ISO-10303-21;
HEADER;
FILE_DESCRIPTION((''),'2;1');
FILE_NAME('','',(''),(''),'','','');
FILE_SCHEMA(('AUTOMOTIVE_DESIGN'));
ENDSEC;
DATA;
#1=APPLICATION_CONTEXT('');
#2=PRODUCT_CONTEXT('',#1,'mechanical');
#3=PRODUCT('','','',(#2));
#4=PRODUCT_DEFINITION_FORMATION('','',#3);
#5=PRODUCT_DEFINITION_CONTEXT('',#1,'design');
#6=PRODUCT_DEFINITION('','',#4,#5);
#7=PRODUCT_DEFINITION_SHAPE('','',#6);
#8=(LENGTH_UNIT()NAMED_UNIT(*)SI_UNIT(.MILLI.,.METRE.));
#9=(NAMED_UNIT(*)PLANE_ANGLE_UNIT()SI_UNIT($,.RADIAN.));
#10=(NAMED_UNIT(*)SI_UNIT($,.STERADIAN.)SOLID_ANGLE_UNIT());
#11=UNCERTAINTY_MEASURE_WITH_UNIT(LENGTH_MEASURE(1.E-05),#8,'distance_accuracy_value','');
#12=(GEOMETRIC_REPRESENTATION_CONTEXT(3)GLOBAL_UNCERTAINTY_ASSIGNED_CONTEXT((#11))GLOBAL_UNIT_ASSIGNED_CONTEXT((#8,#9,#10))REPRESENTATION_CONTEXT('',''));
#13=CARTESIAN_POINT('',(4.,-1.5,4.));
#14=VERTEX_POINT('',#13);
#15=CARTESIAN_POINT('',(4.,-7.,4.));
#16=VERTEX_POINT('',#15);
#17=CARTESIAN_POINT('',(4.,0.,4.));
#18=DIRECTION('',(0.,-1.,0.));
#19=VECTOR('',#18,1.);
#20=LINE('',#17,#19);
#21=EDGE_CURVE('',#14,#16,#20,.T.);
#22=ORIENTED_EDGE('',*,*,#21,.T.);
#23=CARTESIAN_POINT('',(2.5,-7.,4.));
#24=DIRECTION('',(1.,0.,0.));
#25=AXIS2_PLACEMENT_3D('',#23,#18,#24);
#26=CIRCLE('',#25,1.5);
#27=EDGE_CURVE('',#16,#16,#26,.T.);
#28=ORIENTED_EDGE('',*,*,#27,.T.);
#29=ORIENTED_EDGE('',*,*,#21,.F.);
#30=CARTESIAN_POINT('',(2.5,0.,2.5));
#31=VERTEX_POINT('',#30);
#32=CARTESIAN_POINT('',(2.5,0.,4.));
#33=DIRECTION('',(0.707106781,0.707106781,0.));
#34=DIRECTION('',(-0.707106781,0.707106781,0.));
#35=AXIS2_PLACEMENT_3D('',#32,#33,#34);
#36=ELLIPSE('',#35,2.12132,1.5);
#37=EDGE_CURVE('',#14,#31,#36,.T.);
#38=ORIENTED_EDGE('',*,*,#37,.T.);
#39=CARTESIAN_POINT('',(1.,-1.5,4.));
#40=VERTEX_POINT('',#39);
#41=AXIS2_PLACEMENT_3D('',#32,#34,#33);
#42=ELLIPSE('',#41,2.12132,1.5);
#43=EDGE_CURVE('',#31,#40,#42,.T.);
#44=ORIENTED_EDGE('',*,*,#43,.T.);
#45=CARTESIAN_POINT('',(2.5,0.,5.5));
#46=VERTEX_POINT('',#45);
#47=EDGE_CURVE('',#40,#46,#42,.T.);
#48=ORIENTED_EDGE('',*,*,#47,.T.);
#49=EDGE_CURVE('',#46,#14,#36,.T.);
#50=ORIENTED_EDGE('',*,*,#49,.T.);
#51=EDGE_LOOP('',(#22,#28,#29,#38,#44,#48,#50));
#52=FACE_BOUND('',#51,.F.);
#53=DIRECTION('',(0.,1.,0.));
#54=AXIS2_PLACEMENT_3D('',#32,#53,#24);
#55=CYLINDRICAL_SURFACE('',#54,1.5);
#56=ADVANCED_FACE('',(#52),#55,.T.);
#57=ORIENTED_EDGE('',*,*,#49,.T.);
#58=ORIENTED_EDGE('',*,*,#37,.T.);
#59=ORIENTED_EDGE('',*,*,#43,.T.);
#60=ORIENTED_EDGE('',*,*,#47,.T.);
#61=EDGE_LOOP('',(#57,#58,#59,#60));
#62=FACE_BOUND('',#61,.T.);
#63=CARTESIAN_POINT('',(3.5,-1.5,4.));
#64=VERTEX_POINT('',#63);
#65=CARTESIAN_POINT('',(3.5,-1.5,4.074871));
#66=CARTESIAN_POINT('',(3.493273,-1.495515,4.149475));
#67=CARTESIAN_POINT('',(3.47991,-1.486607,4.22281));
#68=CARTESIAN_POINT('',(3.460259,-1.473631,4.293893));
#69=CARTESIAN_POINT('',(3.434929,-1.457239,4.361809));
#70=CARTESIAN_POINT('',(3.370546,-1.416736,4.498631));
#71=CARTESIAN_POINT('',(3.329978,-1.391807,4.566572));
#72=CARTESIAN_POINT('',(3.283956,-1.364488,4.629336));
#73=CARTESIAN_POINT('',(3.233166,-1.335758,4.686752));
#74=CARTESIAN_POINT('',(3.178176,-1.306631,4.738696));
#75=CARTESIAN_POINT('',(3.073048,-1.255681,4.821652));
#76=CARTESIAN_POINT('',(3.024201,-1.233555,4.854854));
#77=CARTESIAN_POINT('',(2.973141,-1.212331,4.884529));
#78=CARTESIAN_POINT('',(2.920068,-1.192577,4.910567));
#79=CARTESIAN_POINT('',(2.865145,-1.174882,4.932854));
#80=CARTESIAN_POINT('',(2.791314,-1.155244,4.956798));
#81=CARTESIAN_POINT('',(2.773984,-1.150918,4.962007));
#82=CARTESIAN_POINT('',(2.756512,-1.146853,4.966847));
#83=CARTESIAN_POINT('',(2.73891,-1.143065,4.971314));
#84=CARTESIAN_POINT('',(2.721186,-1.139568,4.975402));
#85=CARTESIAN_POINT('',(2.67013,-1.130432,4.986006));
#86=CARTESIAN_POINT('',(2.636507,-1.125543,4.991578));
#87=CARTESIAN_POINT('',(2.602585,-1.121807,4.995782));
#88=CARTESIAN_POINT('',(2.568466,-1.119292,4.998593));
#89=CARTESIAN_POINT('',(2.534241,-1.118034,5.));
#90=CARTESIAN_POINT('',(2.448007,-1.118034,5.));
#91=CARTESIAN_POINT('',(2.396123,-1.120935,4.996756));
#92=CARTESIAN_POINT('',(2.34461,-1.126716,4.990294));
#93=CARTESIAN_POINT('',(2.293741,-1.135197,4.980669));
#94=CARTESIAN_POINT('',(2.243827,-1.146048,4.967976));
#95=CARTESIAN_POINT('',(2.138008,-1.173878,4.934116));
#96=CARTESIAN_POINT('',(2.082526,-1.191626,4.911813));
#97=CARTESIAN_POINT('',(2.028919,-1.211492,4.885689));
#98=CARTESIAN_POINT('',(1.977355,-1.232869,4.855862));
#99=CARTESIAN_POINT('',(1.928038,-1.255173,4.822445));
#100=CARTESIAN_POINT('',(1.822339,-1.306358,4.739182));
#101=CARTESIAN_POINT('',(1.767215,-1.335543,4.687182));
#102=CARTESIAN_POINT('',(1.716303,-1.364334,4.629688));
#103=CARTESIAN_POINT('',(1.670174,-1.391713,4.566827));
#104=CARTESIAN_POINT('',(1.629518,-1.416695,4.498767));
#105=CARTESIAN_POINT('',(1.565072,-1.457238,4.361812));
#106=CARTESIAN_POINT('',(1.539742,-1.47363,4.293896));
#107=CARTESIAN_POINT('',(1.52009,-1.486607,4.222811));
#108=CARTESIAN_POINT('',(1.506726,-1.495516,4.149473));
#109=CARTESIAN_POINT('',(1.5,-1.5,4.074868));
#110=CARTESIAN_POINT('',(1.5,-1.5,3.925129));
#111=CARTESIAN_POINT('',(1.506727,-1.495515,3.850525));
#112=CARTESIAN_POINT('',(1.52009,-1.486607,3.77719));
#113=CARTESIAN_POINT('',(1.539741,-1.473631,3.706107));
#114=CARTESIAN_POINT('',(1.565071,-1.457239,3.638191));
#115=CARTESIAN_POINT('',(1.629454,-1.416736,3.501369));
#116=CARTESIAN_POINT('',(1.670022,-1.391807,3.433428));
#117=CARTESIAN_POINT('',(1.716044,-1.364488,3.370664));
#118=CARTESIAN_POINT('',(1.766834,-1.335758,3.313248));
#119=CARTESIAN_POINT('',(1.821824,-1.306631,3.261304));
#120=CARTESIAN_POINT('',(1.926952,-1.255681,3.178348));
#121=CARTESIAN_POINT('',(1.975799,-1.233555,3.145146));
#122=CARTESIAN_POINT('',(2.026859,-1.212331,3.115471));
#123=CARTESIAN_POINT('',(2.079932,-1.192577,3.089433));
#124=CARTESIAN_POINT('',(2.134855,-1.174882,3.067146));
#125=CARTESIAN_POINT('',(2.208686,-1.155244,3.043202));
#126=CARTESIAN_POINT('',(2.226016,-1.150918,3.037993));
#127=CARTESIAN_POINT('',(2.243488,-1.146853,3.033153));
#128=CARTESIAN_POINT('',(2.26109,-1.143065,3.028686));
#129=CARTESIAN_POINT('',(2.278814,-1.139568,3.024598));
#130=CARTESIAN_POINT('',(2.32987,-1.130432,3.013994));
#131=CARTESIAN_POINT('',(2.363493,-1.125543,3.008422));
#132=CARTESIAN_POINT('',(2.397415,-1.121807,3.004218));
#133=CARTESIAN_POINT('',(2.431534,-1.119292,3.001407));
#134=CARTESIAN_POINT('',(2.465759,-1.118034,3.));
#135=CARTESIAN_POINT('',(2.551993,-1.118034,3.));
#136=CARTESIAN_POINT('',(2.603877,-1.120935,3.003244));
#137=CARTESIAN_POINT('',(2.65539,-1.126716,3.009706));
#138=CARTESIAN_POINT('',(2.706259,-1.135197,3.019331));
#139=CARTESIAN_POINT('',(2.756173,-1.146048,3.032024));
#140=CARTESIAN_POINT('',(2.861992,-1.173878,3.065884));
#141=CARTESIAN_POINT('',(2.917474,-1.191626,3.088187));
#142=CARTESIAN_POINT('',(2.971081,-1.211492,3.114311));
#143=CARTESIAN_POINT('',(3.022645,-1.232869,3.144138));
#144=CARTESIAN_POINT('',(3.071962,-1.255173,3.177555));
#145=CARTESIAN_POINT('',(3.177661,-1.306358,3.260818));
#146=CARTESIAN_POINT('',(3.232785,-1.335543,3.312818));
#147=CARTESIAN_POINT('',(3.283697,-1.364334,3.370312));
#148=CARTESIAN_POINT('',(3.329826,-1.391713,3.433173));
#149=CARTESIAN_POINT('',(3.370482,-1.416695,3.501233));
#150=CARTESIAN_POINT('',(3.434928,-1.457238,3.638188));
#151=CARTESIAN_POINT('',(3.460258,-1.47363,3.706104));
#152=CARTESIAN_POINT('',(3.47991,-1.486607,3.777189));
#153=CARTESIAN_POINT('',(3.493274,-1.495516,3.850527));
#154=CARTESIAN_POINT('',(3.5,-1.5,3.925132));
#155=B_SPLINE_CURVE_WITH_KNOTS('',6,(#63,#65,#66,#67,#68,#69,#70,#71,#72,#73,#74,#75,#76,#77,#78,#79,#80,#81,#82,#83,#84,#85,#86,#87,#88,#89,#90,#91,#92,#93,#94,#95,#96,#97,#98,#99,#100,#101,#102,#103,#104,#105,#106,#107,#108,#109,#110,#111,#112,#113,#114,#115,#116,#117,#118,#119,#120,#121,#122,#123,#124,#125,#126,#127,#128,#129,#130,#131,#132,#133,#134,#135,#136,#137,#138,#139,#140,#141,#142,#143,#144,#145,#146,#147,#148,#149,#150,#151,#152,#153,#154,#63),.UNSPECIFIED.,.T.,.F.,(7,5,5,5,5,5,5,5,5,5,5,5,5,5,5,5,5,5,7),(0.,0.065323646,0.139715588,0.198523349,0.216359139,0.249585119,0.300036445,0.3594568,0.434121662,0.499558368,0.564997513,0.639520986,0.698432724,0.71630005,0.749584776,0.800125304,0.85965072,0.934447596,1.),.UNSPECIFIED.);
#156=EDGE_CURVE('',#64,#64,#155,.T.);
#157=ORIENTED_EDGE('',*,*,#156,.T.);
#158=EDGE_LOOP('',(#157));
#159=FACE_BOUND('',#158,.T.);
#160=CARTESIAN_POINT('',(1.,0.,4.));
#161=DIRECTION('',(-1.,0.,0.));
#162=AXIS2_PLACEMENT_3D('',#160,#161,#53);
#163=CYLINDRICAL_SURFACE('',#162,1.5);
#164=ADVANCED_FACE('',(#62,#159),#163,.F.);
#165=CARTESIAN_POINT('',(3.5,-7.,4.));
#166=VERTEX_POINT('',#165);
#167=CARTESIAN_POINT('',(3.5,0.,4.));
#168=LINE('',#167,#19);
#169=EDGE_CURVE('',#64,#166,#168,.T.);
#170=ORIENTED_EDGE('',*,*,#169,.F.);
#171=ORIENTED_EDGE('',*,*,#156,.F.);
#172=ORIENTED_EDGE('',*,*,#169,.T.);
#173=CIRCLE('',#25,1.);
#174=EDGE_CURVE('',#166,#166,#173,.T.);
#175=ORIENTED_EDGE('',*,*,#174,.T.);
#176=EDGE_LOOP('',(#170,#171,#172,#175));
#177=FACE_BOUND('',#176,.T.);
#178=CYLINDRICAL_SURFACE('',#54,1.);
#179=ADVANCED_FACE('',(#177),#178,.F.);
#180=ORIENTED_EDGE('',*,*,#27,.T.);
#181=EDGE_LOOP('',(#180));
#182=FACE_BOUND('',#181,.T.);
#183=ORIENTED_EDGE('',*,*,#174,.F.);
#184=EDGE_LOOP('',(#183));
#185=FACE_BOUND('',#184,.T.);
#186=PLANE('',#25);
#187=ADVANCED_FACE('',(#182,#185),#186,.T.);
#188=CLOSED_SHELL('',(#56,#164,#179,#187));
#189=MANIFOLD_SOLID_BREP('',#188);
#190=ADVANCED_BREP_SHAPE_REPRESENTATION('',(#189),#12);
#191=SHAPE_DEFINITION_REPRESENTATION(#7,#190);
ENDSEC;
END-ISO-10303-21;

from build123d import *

# Parameters (mm, degrees)
CYLINDER001_R     = 1.5
CYLINDER001_DEPTH = 3
TUBE_R            = 1.5
TUBE_R_2          = 1
TUBE_DEPTH        = 7


with BuildPart() as cylinder001:
    # Cylinder001 → Cylinder001 (new body)
    with BuildSketch(Plane(origin=(1, 0, 4), x_dir=(0, 1, 0), z_dir=(1, 0, 0))):
        Circle(CYLINDER001_R)
    extrude(amount=CYLINDER001_DEPTH)


with BuildPart() as cut001:
    # Tube → Tube (new body)
    with BuildSketch(Plane(origin=(2.5, 0, 4), x_dir=(1, 0, 0), z_dir=(0, -1, 0))):
        Circle(TUBE_R)
        Circle(TUBE_R_2, mode=Mode.SUBTRACT)
    extrude(amount=TUBE_DEPTH)

    # Cut001: cut Cylinder001
    add(cylinder001.part, mode=Mode.SUBTRACT)


solid = cut001.part
